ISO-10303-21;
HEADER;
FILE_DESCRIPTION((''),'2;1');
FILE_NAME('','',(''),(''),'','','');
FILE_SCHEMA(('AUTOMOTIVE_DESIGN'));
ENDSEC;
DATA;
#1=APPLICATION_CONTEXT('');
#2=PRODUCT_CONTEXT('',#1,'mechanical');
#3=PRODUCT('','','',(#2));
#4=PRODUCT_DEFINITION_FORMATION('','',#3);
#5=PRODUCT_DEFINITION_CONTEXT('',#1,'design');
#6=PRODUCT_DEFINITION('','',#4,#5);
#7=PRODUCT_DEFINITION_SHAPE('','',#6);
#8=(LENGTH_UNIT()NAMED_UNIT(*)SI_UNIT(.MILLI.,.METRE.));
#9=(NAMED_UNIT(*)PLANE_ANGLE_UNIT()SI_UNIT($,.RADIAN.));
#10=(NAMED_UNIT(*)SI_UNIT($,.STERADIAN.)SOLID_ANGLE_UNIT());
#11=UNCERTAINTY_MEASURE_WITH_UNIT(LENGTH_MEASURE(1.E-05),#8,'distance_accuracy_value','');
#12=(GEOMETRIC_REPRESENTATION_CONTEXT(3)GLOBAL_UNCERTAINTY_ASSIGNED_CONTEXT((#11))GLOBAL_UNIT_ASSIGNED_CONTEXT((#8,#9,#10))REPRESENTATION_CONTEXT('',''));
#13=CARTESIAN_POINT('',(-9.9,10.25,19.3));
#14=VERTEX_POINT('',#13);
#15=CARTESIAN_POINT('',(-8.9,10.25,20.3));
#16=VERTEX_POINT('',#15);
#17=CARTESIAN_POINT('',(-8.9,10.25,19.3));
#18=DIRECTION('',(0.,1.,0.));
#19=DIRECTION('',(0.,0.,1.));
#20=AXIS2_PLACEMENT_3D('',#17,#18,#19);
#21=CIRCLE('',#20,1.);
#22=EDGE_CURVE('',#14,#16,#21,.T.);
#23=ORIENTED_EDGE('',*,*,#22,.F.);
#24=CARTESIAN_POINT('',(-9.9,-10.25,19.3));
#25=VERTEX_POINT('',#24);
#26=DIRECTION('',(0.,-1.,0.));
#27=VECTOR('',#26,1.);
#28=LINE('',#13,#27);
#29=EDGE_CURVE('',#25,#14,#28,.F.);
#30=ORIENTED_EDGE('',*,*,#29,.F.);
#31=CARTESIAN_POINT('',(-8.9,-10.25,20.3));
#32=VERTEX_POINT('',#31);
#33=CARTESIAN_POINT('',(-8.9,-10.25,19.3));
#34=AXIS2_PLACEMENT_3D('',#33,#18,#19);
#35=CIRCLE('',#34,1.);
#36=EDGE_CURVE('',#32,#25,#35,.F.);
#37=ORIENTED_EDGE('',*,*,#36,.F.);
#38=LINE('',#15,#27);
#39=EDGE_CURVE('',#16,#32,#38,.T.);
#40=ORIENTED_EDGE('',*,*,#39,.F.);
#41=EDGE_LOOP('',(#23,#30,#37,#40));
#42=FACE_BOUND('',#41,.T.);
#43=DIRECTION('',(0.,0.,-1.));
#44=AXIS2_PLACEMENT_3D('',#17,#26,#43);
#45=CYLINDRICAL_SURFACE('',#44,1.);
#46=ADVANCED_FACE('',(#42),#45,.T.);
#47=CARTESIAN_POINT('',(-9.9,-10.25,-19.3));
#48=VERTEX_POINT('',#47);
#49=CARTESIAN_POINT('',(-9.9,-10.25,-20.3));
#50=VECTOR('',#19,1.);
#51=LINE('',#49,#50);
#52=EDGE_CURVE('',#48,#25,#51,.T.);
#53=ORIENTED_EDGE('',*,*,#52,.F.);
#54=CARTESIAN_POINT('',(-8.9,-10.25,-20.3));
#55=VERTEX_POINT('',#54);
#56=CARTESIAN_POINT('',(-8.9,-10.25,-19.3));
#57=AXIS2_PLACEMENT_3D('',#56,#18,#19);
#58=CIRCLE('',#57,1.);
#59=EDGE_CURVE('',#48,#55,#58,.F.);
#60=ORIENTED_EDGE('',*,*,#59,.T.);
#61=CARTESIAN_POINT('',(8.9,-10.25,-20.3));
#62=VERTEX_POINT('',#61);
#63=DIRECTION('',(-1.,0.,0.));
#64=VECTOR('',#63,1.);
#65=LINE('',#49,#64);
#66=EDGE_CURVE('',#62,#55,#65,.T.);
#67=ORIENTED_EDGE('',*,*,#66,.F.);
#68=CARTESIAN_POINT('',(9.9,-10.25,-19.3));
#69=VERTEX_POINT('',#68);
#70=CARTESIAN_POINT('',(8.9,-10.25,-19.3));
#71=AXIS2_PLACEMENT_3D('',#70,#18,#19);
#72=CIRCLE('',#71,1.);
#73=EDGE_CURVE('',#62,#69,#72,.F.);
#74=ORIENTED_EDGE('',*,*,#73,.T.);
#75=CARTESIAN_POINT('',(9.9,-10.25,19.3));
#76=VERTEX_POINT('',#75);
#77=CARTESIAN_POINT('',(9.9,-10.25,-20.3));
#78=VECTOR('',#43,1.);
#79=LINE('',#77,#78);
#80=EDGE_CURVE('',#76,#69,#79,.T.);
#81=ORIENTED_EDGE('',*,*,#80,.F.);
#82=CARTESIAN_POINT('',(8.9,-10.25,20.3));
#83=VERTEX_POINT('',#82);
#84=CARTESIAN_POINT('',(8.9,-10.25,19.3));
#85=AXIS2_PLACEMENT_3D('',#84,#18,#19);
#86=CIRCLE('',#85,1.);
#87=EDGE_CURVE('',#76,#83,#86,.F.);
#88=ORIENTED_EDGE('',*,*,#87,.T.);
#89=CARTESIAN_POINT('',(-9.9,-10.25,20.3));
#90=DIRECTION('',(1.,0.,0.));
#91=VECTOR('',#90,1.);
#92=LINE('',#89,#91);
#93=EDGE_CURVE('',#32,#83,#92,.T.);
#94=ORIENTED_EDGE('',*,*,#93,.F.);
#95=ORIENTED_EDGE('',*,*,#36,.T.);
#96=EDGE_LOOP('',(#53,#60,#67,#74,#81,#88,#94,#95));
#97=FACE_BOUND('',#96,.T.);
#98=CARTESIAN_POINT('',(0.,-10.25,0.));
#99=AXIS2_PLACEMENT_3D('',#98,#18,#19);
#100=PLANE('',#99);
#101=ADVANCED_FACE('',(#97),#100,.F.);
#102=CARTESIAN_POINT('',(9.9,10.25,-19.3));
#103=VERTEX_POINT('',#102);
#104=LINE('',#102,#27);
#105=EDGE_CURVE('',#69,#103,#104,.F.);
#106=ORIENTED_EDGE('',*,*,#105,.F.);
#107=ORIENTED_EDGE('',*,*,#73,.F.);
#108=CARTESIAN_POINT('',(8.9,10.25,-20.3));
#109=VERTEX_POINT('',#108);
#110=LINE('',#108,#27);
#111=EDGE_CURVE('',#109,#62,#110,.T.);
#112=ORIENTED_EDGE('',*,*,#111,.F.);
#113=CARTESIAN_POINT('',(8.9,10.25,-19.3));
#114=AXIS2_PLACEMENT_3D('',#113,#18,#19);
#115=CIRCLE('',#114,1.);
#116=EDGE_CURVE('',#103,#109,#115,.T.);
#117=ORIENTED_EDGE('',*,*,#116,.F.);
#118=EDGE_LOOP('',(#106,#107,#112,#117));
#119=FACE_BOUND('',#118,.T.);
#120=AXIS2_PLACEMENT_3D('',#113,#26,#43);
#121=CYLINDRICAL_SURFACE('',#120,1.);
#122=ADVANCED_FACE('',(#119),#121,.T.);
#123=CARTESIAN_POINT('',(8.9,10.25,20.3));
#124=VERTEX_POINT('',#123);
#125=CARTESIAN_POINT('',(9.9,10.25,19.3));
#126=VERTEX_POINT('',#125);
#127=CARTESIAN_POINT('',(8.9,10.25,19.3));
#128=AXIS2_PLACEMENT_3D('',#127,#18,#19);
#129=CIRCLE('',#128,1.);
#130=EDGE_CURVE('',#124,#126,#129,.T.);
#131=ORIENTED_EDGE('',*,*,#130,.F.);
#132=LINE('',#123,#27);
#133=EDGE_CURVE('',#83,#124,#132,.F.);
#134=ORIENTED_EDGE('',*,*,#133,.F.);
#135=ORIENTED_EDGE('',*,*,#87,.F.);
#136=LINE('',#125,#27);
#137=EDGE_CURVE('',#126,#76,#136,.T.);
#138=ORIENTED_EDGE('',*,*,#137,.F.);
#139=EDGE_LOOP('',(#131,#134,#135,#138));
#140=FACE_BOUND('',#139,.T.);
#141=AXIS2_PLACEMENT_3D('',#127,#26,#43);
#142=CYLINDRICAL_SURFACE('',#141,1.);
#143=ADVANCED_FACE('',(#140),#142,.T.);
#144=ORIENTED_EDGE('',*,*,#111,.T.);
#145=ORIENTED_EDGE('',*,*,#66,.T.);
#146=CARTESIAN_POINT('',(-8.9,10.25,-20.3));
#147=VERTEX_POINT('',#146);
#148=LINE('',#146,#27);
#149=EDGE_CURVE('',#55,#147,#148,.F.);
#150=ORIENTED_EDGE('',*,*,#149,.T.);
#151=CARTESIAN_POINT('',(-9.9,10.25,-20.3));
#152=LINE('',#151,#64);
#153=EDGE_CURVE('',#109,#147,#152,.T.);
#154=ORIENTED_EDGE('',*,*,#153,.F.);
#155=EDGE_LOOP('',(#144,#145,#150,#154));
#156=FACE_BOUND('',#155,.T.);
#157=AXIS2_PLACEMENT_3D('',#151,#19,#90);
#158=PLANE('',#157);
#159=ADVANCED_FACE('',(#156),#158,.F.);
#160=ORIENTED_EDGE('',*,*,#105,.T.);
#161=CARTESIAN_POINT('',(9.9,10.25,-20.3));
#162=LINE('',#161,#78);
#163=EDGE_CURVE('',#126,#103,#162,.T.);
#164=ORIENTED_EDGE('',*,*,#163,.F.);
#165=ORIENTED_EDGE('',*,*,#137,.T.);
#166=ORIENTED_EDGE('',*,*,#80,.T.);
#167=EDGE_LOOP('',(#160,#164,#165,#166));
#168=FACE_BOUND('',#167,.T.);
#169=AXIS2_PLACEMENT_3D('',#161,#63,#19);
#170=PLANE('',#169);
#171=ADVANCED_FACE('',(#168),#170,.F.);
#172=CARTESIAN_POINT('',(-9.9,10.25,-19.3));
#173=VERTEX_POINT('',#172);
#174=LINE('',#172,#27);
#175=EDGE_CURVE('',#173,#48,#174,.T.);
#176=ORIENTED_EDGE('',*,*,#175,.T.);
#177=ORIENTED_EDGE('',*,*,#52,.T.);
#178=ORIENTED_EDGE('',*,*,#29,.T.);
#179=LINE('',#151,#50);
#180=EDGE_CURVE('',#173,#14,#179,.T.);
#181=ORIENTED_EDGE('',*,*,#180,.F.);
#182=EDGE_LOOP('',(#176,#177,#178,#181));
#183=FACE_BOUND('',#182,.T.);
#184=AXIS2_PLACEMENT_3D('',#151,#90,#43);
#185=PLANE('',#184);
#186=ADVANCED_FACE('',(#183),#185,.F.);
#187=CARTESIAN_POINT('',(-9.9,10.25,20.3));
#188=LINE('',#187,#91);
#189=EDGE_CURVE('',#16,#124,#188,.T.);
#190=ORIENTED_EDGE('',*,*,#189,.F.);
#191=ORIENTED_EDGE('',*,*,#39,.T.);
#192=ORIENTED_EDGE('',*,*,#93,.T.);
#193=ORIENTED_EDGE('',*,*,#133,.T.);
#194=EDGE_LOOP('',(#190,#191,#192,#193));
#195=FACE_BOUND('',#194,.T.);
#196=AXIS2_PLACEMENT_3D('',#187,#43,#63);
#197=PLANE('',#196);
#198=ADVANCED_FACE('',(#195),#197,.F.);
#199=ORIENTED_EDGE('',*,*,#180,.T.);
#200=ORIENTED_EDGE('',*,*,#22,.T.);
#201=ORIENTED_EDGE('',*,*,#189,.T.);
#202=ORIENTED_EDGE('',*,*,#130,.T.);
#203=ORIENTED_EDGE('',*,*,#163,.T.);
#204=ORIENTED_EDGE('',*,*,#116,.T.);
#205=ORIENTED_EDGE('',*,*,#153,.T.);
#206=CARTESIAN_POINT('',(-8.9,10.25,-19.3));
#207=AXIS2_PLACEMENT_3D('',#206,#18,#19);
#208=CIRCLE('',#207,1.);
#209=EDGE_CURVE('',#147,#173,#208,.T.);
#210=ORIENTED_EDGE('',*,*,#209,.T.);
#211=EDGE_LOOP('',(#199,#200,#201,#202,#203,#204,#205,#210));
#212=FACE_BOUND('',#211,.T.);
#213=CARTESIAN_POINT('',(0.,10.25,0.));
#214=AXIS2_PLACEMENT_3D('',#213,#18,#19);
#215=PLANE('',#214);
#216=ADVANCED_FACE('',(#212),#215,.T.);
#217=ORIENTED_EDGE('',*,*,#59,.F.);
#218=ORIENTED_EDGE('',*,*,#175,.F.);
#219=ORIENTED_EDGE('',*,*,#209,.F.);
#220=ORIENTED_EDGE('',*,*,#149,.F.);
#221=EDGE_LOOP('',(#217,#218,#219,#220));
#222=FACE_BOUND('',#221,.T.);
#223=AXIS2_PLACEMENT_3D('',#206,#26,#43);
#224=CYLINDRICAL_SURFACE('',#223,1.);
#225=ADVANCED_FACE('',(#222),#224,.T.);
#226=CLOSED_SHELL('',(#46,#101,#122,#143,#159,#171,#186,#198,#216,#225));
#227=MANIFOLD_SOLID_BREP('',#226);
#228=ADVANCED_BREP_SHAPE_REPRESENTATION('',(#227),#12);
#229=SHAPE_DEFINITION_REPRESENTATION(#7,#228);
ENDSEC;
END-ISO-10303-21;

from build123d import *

# Parameters (mm, degrees)
SKETCH1_W           = 19.8
SKETCH1_H           = 40.6
BOSS_EXTRUDE1_DEPTH = 10.25
FILLET1_R           = 1


with BuildPart() as part:
    # Sketch1 → Boss-Extrude1 (new body, symmetric)
    with BuildSketch(Plane(origin=(0, 0, 0), x_dir=(1, 0, 0), z_dir=(0, 1, 0))):
        Rectangle(SKETCH1_W, SKETCH1_H)
    extrude(amount=BOSS_EXTRUDE1_DEPTH, both=True)

    # Fillet1
    fillet1_edges = [part.edges().sort_by_distance(p)[0] for p in [
        (9.9, 0, 20.3),
        (-9.9, 0, 20.3),
        (-9.9, 0, -20.3),
        (9.9, 0, -20.3),
    ]]
    fillet(fillet1_edges, radius=FILLET1_R)


solid = part.part
